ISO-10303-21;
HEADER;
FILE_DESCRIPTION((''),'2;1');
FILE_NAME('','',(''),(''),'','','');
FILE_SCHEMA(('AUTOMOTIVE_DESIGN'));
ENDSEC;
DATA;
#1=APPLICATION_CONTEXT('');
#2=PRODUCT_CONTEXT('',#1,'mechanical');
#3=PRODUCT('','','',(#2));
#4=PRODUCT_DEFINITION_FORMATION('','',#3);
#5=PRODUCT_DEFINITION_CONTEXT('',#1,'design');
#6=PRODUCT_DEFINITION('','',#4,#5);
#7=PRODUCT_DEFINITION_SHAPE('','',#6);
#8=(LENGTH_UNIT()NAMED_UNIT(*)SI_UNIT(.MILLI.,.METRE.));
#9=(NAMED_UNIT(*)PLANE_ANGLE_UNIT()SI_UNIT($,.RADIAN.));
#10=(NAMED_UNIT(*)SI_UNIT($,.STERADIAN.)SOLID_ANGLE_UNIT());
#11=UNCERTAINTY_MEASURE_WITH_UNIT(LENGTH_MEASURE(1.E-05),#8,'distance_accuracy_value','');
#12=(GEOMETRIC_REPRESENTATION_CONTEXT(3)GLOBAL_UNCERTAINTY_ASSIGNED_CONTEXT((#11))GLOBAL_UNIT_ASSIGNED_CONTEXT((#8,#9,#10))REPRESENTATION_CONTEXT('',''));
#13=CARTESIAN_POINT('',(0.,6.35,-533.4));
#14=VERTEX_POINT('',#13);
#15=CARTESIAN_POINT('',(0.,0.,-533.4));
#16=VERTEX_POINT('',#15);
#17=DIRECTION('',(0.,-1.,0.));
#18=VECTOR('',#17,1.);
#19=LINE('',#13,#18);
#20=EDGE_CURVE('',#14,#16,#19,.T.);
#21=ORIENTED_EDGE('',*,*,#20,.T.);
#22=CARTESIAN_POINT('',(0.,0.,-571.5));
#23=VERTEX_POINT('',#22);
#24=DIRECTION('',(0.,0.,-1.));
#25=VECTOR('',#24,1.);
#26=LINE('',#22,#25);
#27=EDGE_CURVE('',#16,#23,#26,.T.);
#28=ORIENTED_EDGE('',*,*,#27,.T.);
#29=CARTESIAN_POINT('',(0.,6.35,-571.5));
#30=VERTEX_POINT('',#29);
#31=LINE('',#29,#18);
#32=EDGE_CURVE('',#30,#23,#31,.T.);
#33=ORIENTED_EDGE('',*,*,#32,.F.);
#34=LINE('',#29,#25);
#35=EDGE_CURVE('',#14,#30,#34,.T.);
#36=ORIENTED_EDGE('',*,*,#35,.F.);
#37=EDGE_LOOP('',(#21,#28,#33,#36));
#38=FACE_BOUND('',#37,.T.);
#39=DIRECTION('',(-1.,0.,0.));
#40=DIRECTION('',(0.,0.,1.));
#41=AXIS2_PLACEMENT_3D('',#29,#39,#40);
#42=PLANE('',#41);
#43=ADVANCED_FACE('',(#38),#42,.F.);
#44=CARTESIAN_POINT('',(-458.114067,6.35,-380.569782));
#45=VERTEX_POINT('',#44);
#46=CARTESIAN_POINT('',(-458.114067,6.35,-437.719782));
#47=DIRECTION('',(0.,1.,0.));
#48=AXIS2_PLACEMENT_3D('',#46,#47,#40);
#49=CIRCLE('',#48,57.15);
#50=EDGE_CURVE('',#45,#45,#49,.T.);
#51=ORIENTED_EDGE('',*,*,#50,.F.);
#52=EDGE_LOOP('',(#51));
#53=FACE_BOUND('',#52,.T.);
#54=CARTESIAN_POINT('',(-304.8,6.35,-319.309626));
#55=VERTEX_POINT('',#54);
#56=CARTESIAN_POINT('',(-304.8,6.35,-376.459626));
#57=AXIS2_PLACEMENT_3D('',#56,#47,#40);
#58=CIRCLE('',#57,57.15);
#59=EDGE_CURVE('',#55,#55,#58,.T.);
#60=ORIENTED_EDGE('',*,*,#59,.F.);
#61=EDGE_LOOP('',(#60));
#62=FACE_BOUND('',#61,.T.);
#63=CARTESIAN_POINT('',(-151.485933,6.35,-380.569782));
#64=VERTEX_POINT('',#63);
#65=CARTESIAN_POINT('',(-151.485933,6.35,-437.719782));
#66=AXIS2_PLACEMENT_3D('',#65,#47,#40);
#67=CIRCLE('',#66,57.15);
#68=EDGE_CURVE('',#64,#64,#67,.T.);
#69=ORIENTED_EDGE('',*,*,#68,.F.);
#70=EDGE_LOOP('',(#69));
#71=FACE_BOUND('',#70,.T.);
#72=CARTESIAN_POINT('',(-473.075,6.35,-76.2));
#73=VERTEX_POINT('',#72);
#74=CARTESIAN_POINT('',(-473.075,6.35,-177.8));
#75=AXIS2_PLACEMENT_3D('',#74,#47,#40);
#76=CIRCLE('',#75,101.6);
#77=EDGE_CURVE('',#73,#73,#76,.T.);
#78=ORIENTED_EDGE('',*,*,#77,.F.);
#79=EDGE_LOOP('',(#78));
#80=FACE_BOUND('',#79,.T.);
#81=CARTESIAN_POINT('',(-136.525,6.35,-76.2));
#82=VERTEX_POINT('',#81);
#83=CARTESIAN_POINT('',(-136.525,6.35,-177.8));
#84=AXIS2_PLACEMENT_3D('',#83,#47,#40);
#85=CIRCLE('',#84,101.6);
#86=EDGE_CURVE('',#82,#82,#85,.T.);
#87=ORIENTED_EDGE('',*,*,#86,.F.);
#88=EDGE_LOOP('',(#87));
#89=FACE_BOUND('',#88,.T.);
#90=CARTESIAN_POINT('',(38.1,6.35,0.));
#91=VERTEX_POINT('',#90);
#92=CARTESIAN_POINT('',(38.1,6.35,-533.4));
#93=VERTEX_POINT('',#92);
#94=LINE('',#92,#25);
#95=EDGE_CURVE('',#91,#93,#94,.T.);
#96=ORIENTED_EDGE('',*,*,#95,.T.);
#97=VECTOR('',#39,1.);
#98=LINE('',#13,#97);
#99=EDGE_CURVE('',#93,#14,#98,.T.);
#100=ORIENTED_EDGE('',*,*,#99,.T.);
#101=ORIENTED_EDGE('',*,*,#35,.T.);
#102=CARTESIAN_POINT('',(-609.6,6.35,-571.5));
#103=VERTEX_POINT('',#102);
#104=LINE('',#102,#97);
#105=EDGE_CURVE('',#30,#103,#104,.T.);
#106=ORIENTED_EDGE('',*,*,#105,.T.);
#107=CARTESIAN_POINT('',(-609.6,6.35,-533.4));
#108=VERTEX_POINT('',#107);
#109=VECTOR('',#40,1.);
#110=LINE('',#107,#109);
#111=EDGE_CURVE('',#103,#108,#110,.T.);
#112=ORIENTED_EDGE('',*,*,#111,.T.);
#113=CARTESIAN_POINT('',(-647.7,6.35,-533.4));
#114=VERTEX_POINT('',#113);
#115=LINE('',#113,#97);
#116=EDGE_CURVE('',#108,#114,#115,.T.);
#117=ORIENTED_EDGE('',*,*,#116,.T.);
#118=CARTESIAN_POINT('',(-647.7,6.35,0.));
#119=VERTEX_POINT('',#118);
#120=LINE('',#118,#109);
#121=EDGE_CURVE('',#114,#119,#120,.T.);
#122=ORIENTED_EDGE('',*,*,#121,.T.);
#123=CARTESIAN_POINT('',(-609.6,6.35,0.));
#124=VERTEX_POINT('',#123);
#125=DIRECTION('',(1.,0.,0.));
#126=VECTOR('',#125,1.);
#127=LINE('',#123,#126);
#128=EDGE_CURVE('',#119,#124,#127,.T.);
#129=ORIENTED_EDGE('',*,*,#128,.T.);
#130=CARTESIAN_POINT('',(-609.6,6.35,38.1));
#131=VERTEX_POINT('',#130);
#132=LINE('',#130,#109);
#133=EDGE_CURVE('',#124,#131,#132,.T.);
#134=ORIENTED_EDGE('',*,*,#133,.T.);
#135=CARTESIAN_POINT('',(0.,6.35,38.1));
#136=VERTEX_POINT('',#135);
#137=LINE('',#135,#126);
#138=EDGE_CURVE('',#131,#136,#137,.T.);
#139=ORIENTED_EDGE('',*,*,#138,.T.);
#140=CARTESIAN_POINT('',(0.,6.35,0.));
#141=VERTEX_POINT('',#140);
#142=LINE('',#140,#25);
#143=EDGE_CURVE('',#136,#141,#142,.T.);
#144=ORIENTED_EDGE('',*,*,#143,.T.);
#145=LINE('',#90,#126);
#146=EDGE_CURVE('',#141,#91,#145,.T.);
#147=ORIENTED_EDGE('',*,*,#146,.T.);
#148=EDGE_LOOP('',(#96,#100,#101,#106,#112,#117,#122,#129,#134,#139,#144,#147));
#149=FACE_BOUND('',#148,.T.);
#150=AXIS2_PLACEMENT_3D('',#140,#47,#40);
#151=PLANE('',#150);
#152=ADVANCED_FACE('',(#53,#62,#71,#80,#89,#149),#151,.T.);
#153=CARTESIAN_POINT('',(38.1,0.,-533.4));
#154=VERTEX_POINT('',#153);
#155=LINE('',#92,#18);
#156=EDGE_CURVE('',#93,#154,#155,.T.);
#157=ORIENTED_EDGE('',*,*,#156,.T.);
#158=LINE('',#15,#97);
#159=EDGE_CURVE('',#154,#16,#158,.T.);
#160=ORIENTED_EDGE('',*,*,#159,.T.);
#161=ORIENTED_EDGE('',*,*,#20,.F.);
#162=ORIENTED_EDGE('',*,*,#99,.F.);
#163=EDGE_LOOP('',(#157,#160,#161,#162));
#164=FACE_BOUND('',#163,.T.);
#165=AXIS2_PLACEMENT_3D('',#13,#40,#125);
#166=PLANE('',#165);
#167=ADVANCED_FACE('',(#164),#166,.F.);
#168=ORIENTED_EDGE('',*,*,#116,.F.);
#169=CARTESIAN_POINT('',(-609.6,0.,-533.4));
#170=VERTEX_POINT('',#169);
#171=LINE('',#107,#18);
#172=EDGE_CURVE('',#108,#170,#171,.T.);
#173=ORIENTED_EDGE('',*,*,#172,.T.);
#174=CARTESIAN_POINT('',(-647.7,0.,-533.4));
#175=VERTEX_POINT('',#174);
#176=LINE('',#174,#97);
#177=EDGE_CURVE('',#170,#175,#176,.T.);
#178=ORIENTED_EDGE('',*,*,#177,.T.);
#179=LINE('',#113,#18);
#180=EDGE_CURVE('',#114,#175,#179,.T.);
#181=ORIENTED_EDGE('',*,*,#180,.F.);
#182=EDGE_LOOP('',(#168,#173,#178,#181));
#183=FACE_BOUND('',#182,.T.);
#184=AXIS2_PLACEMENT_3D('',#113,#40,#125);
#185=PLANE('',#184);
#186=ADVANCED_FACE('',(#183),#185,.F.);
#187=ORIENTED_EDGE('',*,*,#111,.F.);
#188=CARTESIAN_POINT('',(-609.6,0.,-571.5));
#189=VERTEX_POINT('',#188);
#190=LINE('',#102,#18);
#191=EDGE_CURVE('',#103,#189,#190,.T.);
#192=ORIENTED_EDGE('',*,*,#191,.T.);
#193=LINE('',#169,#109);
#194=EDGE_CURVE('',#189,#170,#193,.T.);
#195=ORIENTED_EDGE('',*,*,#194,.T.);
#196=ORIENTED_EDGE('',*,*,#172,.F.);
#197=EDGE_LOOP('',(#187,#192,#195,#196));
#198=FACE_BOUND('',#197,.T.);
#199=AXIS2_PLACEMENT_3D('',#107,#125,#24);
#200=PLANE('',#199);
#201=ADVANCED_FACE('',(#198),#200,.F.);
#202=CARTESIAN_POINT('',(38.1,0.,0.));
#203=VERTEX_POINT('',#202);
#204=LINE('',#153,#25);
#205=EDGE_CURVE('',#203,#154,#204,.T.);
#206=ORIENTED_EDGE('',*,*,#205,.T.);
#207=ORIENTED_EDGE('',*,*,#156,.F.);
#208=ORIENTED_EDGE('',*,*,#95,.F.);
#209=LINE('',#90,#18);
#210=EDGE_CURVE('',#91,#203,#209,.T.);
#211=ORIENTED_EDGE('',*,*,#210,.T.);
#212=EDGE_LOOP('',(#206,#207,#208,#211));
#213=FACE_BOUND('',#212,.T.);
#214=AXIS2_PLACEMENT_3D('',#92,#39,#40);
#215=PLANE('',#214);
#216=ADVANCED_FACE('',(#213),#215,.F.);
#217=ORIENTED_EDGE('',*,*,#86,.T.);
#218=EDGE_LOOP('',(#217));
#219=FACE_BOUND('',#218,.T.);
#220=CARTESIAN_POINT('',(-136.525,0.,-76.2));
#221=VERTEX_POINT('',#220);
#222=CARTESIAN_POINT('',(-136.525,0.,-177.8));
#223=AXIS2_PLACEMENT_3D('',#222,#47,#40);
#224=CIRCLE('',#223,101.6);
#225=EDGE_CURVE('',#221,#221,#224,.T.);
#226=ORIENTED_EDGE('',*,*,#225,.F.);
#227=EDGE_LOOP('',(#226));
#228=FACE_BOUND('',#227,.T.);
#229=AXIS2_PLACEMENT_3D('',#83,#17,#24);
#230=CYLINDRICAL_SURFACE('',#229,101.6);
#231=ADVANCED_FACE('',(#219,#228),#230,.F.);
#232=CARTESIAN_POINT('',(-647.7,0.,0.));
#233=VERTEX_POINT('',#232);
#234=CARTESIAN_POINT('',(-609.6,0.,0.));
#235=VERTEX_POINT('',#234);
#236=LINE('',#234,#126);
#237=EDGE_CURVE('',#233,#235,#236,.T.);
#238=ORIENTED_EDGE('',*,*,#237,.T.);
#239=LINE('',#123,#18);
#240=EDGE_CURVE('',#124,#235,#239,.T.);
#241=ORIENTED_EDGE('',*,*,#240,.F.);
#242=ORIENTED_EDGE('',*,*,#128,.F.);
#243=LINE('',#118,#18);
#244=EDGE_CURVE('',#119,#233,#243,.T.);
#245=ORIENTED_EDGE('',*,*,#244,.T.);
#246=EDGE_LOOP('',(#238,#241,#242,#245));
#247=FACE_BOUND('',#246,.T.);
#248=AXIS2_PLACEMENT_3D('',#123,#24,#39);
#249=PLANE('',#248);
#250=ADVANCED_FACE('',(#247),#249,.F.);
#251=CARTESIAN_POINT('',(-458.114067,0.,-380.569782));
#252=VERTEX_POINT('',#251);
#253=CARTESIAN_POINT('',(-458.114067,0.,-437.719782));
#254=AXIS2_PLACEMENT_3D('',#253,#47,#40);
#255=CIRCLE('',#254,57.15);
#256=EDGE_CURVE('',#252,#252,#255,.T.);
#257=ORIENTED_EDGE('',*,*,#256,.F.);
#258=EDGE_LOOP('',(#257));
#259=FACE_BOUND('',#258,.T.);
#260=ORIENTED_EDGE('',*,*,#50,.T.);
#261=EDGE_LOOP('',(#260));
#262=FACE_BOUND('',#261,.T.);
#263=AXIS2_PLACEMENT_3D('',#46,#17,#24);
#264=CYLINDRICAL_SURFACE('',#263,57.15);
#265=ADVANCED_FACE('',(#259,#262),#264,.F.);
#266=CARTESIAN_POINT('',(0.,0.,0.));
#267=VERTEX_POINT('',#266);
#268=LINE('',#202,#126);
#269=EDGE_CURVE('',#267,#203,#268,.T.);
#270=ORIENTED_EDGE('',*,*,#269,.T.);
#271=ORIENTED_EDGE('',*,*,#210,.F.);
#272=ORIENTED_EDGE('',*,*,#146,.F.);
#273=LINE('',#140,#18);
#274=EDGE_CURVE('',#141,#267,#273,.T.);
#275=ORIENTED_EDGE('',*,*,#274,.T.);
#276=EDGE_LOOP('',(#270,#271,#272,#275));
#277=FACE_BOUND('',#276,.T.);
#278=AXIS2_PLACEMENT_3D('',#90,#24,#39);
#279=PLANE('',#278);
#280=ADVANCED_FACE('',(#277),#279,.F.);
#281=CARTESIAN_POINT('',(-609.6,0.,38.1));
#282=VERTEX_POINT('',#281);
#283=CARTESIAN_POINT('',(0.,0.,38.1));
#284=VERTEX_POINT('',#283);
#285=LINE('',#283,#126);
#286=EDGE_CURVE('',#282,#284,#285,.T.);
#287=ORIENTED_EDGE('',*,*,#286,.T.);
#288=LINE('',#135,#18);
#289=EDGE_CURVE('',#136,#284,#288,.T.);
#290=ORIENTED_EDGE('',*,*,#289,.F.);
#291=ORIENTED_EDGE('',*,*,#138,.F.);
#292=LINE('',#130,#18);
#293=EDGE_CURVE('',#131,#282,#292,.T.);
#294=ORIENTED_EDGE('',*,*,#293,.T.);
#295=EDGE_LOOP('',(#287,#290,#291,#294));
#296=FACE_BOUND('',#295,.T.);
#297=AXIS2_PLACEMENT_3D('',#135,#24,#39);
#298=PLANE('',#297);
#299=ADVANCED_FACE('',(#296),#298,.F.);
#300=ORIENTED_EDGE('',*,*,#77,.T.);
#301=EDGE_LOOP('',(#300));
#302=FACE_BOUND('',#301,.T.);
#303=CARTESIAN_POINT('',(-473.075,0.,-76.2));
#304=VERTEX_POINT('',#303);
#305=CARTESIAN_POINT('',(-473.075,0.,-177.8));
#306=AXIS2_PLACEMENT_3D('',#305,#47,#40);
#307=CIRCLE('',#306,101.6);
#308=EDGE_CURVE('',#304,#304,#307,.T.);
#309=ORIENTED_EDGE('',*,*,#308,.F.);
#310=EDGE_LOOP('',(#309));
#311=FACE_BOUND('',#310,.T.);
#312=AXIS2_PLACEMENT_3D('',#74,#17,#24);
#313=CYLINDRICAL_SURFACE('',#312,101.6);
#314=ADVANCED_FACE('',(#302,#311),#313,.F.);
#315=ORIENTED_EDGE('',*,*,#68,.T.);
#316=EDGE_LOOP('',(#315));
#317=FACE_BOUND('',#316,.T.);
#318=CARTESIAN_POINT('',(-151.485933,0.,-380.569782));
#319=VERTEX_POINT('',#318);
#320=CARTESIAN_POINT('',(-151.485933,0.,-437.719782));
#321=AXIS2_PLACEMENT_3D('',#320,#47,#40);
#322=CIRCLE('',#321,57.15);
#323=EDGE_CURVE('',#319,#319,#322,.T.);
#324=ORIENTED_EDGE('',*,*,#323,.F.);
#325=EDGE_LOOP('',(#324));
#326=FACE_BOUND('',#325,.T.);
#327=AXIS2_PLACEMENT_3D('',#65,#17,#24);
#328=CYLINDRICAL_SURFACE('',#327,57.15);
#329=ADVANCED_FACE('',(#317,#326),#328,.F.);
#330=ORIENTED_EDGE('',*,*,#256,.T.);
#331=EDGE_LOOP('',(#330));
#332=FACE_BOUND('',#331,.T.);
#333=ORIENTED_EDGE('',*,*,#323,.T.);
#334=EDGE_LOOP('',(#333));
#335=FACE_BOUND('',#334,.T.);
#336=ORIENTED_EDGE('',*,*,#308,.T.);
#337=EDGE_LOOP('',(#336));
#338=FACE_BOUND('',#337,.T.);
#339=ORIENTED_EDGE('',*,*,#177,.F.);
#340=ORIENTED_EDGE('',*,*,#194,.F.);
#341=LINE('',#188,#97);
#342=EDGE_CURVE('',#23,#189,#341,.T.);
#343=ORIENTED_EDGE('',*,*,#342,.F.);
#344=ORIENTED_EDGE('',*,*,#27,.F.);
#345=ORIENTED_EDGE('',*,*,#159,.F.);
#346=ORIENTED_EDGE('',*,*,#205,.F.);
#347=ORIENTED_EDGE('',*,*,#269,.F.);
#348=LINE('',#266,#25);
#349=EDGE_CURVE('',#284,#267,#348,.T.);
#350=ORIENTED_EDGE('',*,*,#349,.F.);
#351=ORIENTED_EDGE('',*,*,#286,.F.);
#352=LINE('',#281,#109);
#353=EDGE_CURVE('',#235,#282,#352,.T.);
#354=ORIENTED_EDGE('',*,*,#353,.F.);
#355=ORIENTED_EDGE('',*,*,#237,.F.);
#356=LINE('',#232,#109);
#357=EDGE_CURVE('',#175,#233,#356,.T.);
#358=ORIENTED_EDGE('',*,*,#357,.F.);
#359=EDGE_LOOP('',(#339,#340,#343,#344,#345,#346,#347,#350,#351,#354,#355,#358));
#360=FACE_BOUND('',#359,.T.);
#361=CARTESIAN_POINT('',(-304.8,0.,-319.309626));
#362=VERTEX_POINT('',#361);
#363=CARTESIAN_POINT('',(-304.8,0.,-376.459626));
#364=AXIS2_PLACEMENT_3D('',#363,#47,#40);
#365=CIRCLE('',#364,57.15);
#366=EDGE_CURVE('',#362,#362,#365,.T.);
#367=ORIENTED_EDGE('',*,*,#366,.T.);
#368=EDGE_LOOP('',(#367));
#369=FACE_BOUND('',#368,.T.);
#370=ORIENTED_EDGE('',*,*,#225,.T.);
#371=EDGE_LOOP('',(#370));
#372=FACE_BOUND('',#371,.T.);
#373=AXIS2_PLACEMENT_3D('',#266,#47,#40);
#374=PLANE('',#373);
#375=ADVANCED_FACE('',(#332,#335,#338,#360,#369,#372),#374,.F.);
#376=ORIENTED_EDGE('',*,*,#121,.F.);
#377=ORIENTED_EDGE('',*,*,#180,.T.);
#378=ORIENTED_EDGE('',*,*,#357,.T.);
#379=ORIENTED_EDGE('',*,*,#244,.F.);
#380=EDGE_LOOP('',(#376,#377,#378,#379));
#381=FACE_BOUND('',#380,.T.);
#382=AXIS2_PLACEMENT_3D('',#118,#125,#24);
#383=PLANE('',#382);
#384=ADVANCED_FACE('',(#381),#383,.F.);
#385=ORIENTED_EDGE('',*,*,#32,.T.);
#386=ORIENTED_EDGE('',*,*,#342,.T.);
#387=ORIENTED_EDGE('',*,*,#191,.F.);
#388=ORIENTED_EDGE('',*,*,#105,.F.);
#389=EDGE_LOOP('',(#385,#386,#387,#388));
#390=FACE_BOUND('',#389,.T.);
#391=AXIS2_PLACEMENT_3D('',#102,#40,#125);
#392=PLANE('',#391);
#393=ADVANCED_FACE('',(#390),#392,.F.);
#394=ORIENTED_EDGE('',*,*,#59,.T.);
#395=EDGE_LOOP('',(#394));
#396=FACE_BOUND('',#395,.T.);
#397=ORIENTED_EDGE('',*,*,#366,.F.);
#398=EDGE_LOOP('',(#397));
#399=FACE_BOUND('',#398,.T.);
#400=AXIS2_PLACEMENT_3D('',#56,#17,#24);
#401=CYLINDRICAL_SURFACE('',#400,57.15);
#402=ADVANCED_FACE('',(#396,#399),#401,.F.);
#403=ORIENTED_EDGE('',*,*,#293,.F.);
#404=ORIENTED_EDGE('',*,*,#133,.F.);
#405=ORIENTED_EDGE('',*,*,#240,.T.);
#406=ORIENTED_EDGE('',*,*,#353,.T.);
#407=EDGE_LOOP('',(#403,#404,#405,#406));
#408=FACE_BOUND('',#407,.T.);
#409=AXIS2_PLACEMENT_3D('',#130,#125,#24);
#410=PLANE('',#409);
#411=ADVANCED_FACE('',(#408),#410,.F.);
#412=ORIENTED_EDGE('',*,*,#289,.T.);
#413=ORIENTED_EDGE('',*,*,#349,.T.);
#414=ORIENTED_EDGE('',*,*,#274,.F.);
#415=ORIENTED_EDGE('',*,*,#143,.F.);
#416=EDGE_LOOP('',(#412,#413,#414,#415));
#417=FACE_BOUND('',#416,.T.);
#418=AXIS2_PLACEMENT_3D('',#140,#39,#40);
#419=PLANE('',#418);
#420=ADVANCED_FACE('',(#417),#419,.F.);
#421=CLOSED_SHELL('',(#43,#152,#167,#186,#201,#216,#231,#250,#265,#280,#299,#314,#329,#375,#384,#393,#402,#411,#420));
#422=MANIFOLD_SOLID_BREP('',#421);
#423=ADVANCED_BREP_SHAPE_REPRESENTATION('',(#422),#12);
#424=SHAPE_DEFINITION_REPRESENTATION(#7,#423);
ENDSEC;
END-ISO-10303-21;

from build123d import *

# Parameters (mm, degrees)
SKETCH1_R           = 101.6
SKETCH1_R_2         = 57.15
BOSS_EXTRUDE1_DEPTH = 6.35


with BuildPart() as part:
    # Sketch1 → Boss-Extrude1 (new body)
    with BuildSketch(Plane(origin=(0, 0, 0), x_dir=(1, 0, 0), z_dir=(0, 1, 0))):
        Polygon((0, 0), (0, -38.1), (-609.6, -38.1), (-609.6, 0), (-647.7, 0), (-647.7, 533.4), (-609.6, 533.4), (-609.6, 571.5), (0, 571.5), (0, 533.4), (38.1, 533.4), (38.1, 0), align=None)
        with Locations((-473.075, 177.8)):
            Circle(SKETCH1_R, mode=Mode.SUBTRACT)
        with Locations((-136.525, 177.8)):
            Circle(SKETCH1_R, mode=Mode.SUBTRACT)
        with Locations((-304.8, 376.459625679)):
            Circle(SKETCH1_R_2, mode=Mode.SUBTRACT)
        with Locations((-151.485932589, 437.719781848)):
            Circle(SKETCH1_R_2, mode=Mode.SUBTRACT)
        with Locations((-458.114067411, 437.719781848)):
            Circle(SKETCH1_R_2, mode=Mode.SUBTRACT)
    extrude(amount=BOSS_EXTRUDE1_DEPTH)


solid = part.part
